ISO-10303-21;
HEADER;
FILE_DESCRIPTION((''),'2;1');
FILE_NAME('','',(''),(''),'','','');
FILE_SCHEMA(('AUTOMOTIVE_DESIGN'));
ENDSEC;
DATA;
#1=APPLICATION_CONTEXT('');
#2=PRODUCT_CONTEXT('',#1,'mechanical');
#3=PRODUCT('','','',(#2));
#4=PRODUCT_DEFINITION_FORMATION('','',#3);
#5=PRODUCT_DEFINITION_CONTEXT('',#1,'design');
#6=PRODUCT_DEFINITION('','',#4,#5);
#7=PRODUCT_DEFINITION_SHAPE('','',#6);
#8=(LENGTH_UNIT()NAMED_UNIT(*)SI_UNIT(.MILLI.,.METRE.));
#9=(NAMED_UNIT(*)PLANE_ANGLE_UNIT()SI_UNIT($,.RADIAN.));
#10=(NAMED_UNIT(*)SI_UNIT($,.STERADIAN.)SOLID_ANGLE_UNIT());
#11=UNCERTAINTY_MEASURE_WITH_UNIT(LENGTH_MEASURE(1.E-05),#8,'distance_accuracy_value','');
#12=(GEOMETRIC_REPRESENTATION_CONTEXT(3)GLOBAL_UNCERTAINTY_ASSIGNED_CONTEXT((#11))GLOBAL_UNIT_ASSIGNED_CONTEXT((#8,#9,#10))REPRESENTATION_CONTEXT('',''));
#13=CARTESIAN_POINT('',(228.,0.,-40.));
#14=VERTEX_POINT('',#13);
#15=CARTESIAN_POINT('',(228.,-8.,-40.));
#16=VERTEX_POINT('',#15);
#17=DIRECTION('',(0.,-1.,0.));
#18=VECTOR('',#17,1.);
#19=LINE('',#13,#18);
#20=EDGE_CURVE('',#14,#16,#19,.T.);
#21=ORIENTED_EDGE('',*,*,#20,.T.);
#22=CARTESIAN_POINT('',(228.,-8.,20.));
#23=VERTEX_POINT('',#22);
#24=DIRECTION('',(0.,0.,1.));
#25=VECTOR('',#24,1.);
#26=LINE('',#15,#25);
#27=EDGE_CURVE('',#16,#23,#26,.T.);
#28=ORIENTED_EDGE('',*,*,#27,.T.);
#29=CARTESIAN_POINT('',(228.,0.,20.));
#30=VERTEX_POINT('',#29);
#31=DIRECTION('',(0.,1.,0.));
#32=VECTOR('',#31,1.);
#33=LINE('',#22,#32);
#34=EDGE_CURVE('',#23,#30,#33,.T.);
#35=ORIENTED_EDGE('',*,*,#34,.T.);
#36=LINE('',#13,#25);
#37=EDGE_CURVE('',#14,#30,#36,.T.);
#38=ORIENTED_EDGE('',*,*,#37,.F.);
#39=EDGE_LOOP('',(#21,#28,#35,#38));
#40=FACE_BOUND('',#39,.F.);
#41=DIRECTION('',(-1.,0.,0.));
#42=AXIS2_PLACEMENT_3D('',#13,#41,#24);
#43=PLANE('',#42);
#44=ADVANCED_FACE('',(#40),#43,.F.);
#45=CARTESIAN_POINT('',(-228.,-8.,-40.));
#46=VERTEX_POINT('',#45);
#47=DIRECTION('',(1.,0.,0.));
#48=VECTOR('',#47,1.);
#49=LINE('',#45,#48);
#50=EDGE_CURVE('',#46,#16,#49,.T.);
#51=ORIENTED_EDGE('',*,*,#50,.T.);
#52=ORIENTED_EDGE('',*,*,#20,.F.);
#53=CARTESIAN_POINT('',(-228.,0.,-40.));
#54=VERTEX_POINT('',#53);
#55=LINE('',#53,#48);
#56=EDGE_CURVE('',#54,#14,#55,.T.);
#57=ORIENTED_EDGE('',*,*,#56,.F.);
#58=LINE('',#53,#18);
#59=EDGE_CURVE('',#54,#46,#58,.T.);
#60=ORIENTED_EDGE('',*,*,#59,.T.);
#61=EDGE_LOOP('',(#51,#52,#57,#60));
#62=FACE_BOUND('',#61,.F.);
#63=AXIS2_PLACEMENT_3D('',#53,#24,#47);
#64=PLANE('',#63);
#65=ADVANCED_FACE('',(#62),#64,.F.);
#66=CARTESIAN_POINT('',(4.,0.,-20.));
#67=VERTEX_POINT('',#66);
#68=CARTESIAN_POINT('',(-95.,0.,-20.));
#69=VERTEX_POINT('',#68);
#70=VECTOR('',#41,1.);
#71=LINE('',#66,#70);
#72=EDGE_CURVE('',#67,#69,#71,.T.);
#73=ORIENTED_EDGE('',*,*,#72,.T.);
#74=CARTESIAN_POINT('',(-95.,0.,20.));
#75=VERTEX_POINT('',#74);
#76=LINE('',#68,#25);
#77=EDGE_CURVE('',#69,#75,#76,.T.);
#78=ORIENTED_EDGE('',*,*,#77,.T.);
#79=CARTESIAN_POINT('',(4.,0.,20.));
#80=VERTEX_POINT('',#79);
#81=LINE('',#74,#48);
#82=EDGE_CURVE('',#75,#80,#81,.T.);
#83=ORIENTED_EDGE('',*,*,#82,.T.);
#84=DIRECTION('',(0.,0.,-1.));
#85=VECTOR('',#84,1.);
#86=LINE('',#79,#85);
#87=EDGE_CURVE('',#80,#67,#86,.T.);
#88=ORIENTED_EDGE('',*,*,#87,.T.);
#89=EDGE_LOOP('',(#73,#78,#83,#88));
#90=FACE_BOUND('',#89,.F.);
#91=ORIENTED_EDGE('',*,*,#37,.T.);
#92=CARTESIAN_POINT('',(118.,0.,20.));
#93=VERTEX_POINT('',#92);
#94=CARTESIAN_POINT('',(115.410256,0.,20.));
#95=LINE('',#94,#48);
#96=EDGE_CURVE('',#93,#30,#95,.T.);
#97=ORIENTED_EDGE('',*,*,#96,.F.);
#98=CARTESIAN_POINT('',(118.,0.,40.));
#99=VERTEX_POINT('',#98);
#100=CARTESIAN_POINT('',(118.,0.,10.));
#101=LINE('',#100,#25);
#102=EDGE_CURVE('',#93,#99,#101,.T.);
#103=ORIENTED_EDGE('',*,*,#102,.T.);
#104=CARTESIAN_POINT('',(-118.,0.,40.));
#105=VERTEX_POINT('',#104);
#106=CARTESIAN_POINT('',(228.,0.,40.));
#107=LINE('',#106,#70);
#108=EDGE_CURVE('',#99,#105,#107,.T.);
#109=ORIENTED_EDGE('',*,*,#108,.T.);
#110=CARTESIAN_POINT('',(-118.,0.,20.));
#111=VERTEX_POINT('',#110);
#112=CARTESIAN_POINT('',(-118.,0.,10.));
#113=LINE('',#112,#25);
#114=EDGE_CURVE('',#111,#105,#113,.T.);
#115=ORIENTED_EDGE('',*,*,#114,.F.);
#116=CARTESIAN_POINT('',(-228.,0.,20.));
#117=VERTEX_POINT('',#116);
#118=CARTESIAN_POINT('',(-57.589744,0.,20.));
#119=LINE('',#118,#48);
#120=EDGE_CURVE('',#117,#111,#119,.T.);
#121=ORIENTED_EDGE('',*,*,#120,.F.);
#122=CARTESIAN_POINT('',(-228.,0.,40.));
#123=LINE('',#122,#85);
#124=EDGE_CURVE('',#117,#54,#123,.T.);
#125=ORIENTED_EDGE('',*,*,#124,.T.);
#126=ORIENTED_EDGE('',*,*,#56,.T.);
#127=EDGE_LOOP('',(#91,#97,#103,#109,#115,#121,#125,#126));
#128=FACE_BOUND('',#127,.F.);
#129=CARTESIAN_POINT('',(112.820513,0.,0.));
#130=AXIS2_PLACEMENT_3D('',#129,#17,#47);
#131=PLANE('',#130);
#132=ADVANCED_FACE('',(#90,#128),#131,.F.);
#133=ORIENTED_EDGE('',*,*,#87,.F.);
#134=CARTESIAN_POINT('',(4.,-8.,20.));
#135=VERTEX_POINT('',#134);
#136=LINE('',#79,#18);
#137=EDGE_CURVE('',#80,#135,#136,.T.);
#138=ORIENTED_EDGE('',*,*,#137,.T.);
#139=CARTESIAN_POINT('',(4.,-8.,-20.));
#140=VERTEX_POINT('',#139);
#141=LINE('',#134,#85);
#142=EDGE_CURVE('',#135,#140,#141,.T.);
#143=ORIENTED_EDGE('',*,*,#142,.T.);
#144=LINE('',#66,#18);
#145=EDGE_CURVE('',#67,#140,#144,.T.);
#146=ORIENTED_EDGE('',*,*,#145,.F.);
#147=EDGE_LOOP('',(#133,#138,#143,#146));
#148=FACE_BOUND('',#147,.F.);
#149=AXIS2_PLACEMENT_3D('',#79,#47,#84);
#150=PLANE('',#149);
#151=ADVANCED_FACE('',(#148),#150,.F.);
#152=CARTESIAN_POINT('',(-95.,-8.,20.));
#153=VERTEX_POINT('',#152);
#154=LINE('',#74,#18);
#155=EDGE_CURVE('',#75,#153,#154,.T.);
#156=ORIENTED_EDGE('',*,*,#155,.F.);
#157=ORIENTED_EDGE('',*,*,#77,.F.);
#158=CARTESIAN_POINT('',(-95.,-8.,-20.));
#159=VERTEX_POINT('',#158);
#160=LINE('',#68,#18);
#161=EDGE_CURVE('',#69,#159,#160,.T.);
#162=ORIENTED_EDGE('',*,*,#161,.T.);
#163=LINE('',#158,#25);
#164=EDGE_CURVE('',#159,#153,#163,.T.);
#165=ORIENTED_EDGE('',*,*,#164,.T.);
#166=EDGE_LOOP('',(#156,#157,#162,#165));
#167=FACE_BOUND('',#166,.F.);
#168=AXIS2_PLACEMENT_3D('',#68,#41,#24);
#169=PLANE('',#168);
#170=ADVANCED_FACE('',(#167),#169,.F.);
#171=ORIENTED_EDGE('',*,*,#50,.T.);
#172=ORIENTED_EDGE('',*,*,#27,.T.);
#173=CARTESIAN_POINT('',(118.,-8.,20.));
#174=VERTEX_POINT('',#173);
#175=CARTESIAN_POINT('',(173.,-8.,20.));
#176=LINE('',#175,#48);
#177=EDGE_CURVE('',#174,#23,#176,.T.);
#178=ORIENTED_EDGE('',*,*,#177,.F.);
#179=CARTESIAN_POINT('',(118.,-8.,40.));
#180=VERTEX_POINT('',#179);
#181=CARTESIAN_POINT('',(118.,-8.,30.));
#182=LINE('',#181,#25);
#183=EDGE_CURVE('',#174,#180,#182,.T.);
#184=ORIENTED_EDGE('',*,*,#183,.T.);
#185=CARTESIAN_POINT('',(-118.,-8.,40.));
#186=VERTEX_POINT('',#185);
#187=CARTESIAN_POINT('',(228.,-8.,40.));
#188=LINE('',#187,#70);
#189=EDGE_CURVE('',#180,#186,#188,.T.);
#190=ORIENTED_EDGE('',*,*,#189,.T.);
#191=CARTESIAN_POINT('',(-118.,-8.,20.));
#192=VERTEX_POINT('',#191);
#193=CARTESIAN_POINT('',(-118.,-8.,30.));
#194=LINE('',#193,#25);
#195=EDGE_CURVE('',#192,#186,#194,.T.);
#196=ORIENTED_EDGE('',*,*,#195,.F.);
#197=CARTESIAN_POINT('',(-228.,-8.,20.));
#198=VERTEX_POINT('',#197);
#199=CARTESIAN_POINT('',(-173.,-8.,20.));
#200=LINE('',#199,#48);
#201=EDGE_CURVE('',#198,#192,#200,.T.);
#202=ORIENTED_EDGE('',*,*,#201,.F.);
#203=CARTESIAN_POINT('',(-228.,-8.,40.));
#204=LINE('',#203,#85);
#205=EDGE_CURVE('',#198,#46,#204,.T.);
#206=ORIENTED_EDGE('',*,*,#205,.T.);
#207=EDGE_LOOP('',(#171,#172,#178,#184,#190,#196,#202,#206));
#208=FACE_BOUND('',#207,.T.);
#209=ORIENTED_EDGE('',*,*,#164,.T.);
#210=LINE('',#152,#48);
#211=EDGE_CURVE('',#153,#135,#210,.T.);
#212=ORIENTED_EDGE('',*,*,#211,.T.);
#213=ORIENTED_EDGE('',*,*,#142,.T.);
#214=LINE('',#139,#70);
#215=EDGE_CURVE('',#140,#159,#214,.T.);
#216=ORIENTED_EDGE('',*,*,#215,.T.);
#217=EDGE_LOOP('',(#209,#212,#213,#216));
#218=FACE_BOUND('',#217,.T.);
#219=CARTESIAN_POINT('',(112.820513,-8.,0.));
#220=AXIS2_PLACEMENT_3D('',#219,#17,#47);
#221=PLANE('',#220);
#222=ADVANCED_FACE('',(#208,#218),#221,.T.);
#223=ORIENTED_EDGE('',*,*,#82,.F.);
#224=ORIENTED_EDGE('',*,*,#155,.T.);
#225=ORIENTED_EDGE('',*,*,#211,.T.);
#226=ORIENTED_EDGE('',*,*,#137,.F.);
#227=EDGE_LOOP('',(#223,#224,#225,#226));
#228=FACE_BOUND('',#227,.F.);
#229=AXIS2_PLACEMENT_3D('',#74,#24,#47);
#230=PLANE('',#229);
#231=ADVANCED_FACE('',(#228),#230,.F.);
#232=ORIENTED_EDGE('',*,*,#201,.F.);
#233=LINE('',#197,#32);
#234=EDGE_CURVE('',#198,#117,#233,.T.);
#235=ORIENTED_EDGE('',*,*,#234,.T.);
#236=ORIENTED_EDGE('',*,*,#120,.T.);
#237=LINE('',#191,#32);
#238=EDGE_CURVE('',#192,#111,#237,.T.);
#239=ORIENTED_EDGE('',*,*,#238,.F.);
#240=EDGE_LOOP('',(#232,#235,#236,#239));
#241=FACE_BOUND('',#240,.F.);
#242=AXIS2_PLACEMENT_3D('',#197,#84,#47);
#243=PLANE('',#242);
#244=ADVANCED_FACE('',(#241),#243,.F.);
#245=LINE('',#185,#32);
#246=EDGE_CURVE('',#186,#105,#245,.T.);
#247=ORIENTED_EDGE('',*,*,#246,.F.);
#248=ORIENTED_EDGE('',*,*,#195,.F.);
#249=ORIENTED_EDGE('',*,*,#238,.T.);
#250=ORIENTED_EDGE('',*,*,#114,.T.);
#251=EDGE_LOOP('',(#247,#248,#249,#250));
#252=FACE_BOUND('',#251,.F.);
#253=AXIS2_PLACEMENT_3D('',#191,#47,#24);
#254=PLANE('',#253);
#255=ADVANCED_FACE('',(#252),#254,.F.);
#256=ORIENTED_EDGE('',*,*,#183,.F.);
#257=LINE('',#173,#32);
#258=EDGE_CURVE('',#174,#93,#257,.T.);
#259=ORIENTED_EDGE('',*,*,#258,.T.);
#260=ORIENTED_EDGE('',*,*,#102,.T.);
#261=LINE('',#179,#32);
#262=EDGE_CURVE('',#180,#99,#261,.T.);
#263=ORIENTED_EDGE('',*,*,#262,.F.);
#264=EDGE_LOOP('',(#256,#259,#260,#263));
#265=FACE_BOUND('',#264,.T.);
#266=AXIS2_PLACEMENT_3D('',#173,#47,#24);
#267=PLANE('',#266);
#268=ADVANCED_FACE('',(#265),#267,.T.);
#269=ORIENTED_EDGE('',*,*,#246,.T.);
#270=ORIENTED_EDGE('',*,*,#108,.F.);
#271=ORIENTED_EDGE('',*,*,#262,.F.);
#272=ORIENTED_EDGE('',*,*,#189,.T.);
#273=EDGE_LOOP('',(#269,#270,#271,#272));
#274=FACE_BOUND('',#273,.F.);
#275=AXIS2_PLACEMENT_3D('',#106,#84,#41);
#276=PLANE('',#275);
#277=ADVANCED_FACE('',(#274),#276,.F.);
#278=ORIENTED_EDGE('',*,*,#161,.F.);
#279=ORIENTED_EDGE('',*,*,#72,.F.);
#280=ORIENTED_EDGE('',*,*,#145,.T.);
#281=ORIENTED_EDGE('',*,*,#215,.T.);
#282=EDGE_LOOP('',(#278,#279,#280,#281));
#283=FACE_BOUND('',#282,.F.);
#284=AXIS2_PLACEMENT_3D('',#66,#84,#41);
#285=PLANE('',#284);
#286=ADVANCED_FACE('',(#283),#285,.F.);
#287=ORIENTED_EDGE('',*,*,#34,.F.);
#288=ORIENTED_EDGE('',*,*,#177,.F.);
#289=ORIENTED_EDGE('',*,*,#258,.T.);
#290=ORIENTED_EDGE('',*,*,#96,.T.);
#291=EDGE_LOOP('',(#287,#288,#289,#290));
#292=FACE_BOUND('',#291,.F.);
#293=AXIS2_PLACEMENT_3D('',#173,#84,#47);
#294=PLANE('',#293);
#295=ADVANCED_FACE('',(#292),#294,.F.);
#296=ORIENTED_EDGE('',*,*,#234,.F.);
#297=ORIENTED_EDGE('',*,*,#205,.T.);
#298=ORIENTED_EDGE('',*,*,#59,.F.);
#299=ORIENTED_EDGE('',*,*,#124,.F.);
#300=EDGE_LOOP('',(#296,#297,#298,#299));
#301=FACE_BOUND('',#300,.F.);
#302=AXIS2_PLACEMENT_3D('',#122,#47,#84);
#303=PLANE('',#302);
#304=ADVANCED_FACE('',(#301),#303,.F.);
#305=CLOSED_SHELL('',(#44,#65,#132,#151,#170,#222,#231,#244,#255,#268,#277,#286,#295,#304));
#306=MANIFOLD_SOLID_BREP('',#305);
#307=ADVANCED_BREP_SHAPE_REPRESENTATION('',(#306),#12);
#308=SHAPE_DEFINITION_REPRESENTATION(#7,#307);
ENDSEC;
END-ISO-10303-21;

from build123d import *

# Parameters (mm, degrees)
F1_DEPTH = 8
F2_W     = 110
F2_H     = 20
F3_DEPTH = 25


with BuildPart() as f1:
    # F0 (on Front) → F1 (new body)
    with BuildSketch(Plane.XZ):
        Polygon((228, 40), (0, 40), (0, 20), (4, 20), (4, 0), (4, -20), (0, -20), (0, -40), (228, -40), align=None)
        Polygon((0, 20), (0, 40), (-228, 40), (-228, -40), (0, -40), (0, -20), (-95, -20), (-95, 20), align=None)
    extrude(amount=F1_DEPTH)

    # F2 (on face) → F3 (cut)
    with BuildSketch(Plane.XZ.offset(8)):
        with Locations((-173, 30)):
            Rectangle(F2_W, F2_H)
        with Locations((173, 30)):
            Rectangle(F2_W, F2_H)
    extrude(amount=-F3_DEPTH, mode=Mode.SUBTRACT)


solid = f1.part
